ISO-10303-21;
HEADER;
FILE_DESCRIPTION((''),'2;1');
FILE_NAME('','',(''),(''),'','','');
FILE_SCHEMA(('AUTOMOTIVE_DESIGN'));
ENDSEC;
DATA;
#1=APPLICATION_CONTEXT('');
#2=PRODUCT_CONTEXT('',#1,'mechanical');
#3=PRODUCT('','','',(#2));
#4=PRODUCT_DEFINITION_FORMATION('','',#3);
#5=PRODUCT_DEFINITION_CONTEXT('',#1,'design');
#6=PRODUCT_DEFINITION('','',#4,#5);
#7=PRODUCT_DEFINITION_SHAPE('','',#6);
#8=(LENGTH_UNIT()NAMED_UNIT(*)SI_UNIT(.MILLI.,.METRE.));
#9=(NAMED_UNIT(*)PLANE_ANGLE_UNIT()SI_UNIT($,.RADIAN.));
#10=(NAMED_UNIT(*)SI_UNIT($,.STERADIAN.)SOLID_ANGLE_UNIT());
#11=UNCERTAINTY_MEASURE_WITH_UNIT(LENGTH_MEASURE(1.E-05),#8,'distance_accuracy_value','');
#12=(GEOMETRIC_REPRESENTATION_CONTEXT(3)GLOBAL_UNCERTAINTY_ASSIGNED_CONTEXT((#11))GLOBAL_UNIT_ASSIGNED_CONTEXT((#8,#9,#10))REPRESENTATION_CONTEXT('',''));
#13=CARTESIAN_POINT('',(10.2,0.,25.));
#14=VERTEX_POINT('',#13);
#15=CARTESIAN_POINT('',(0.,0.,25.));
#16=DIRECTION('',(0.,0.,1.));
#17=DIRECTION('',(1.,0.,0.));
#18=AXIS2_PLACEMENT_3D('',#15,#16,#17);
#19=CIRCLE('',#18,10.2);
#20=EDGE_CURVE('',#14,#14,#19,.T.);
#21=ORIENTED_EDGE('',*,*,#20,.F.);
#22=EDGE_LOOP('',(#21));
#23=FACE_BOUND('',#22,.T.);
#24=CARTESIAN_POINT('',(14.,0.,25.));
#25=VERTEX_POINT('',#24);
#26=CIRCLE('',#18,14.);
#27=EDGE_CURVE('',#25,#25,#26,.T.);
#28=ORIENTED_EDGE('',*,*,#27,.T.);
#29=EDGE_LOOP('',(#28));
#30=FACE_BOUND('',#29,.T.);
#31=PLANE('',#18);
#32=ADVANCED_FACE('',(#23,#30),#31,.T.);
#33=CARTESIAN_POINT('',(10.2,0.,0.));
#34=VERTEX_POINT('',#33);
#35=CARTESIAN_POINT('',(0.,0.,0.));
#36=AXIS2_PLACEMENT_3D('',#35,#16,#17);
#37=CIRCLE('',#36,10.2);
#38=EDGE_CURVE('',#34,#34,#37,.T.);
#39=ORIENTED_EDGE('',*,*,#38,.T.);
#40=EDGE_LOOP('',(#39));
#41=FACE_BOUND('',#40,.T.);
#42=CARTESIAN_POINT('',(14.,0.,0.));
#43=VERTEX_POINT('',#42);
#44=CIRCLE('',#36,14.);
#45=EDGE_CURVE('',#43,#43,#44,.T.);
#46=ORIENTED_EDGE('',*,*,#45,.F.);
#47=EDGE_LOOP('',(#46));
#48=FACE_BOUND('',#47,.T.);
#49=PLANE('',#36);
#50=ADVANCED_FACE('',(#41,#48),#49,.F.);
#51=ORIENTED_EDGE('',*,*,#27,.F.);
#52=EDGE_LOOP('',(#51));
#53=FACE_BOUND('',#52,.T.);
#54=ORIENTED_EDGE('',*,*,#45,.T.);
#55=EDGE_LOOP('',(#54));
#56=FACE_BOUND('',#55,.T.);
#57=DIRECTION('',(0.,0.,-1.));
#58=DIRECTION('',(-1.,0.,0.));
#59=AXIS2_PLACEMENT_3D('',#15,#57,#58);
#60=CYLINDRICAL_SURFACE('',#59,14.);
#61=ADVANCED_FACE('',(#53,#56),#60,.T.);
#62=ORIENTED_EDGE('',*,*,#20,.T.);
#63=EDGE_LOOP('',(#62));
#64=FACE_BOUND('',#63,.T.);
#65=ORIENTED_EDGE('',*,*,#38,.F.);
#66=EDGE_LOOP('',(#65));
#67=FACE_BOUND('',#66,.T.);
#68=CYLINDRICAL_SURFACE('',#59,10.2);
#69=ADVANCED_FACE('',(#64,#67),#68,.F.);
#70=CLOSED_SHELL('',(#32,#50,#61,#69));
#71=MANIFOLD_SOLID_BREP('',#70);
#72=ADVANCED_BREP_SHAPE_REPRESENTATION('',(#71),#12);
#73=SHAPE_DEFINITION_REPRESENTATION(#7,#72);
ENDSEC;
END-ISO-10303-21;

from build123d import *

# Parameters (mm, degrees)
SKETCH_1_R      = 14
SKETCH_1_R_2    = 10.2
EXTRUDE_1_DEPTH = 25


with BuildPart() as part:
    # 草图1 → 凸台-拉伸1 (new body)
    with BuildSketch(Plane.XY):
        Circle(SKETCH_1_R)
        Circle(SKETCH_1_R_2, mode=Mode.SUBTRACT)
    extrude(amount=EXTRUDE_1_DEPTH)


solid = part.part
